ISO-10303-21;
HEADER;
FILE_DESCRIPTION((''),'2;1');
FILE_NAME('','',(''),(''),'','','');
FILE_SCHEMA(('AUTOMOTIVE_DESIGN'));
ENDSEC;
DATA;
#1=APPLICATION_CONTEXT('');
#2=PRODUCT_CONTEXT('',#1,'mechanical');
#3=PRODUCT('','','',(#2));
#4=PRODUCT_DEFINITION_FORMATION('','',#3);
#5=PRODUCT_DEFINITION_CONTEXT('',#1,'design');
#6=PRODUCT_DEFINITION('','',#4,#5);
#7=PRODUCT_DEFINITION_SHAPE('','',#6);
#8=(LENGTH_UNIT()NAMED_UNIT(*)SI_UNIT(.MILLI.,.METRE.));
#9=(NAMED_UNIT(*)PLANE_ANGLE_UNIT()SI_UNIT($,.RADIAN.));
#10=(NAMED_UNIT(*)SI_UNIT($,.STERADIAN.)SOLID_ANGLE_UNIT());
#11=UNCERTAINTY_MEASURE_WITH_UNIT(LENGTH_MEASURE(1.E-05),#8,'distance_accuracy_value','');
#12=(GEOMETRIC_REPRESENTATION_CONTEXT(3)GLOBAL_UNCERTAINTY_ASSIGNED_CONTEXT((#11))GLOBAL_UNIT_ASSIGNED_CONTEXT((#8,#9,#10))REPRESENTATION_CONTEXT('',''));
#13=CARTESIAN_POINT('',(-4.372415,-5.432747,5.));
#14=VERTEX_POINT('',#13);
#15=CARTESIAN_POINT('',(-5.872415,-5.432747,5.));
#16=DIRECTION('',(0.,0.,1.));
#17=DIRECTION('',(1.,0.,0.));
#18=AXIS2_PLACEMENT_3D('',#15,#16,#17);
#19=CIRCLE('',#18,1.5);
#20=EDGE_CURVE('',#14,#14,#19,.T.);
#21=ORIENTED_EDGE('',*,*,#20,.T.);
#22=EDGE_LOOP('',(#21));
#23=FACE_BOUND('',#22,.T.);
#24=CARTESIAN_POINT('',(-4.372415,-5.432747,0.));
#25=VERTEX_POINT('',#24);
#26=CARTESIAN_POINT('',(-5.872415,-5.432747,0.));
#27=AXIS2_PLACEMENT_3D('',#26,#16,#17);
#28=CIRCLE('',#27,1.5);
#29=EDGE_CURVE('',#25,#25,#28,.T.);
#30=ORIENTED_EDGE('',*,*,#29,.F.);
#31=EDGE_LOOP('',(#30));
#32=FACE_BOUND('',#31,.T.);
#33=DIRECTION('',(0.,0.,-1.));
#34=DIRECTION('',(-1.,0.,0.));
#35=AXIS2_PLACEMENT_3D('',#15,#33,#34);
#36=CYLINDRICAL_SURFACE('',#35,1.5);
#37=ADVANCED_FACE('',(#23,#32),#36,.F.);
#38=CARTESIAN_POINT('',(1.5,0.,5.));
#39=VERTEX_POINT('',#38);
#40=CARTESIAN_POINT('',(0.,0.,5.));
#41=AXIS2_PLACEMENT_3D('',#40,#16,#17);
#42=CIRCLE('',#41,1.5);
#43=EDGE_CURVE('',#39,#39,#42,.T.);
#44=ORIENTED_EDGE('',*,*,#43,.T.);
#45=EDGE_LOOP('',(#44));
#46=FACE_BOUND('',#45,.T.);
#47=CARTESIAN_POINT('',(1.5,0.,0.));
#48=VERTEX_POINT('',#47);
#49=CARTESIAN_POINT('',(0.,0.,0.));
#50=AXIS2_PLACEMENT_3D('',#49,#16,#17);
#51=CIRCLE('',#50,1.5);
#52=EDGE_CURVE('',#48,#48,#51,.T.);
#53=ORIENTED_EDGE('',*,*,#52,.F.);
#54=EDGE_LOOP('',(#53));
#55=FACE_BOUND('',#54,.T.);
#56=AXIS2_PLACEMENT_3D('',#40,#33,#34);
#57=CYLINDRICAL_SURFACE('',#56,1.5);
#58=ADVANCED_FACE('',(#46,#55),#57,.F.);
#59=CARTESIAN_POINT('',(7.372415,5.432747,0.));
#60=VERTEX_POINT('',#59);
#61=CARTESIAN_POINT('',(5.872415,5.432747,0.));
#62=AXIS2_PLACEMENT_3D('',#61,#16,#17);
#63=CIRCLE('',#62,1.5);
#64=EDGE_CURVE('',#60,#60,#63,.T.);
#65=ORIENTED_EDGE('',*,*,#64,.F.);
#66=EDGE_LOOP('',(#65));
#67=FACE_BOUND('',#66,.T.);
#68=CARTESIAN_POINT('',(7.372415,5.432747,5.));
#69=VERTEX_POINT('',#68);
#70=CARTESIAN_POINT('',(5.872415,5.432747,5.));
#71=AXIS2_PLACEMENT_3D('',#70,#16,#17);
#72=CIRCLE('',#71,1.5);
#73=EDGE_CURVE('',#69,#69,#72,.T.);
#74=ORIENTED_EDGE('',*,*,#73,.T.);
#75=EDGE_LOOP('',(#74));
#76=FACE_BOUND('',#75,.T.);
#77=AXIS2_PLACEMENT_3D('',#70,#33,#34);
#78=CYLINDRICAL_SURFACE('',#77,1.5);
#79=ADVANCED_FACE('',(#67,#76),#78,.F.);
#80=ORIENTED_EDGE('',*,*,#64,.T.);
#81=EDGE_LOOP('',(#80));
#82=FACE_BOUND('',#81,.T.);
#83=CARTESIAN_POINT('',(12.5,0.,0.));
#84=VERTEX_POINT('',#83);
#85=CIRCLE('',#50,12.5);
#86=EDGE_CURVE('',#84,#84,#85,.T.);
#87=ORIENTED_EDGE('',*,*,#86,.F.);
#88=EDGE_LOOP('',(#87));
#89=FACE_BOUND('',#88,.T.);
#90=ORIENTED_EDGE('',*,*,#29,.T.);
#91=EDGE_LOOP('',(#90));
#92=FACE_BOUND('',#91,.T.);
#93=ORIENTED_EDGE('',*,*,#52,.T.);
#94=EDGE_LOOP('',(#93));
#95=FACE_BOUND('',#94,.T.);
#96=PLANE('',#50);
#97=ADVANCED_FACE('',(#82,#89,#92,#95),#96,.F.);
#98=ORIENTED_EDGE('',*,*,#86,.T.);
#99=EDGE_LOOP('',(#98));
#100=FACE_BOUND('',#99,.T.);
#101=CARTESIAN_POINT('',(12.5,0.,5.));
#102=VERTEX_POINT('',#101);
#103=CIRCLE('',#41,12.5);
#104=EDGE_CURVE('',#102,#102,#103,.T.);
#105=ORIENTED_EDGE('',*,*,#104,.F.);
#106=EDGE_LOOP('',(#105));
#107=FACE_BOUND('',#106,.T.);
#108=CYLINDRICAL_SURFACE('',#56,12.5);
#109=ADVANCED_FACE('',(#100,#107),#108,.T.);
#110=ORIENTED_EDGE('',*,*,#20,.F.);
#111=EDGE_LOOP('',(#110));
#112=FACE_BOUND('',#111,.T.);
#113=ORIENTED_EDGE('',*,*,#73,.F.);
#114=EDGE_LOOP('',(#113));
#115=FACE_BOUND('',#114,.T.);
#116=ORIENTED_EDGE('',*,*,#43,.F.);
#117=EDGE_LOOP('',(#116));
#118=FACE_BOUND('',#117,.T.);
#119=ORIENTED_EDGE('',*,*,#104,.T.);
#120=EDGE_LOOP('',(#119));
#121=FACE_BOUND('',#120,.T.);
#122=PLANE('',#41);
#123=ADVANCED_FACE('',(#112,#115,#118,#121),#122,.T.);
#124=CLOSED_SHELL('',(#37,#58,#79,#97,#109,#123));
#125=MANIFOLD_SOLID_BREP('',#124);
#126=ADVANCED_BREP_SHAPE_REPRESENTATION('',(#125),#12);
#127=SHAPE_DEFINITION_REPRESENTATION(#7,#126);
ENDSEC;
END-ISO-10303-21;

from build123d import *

# Parameters (mm, degrees)
SKETCH_1_R      = 12.5
SKETCH_1_R_2    = 1.5
EXTRUDE_1_DEPTH = 5


with BuildPart() as part:
    # 草图1 → 凸台-拉伸1 (new body)
    with BuildSketch(Plane.XY):
        Circle(SKETCH_1_R)
        Circle(SKETCH_1_R_2, mode=Mode.SUBTRACT)
        with Locations((-5.872415132, -5.432747051)):
            Circle(SKETCH_1_R_2, mode=Mode.SUBTRACT)
        with Locations((5.872415132, 5.432747051)):
            Circle(SKETCH_1_R_2, mode=Mode.SUBTRACT)
    extrude(amount=EXTRUDE_1_DEPTH)


solid = part.part
